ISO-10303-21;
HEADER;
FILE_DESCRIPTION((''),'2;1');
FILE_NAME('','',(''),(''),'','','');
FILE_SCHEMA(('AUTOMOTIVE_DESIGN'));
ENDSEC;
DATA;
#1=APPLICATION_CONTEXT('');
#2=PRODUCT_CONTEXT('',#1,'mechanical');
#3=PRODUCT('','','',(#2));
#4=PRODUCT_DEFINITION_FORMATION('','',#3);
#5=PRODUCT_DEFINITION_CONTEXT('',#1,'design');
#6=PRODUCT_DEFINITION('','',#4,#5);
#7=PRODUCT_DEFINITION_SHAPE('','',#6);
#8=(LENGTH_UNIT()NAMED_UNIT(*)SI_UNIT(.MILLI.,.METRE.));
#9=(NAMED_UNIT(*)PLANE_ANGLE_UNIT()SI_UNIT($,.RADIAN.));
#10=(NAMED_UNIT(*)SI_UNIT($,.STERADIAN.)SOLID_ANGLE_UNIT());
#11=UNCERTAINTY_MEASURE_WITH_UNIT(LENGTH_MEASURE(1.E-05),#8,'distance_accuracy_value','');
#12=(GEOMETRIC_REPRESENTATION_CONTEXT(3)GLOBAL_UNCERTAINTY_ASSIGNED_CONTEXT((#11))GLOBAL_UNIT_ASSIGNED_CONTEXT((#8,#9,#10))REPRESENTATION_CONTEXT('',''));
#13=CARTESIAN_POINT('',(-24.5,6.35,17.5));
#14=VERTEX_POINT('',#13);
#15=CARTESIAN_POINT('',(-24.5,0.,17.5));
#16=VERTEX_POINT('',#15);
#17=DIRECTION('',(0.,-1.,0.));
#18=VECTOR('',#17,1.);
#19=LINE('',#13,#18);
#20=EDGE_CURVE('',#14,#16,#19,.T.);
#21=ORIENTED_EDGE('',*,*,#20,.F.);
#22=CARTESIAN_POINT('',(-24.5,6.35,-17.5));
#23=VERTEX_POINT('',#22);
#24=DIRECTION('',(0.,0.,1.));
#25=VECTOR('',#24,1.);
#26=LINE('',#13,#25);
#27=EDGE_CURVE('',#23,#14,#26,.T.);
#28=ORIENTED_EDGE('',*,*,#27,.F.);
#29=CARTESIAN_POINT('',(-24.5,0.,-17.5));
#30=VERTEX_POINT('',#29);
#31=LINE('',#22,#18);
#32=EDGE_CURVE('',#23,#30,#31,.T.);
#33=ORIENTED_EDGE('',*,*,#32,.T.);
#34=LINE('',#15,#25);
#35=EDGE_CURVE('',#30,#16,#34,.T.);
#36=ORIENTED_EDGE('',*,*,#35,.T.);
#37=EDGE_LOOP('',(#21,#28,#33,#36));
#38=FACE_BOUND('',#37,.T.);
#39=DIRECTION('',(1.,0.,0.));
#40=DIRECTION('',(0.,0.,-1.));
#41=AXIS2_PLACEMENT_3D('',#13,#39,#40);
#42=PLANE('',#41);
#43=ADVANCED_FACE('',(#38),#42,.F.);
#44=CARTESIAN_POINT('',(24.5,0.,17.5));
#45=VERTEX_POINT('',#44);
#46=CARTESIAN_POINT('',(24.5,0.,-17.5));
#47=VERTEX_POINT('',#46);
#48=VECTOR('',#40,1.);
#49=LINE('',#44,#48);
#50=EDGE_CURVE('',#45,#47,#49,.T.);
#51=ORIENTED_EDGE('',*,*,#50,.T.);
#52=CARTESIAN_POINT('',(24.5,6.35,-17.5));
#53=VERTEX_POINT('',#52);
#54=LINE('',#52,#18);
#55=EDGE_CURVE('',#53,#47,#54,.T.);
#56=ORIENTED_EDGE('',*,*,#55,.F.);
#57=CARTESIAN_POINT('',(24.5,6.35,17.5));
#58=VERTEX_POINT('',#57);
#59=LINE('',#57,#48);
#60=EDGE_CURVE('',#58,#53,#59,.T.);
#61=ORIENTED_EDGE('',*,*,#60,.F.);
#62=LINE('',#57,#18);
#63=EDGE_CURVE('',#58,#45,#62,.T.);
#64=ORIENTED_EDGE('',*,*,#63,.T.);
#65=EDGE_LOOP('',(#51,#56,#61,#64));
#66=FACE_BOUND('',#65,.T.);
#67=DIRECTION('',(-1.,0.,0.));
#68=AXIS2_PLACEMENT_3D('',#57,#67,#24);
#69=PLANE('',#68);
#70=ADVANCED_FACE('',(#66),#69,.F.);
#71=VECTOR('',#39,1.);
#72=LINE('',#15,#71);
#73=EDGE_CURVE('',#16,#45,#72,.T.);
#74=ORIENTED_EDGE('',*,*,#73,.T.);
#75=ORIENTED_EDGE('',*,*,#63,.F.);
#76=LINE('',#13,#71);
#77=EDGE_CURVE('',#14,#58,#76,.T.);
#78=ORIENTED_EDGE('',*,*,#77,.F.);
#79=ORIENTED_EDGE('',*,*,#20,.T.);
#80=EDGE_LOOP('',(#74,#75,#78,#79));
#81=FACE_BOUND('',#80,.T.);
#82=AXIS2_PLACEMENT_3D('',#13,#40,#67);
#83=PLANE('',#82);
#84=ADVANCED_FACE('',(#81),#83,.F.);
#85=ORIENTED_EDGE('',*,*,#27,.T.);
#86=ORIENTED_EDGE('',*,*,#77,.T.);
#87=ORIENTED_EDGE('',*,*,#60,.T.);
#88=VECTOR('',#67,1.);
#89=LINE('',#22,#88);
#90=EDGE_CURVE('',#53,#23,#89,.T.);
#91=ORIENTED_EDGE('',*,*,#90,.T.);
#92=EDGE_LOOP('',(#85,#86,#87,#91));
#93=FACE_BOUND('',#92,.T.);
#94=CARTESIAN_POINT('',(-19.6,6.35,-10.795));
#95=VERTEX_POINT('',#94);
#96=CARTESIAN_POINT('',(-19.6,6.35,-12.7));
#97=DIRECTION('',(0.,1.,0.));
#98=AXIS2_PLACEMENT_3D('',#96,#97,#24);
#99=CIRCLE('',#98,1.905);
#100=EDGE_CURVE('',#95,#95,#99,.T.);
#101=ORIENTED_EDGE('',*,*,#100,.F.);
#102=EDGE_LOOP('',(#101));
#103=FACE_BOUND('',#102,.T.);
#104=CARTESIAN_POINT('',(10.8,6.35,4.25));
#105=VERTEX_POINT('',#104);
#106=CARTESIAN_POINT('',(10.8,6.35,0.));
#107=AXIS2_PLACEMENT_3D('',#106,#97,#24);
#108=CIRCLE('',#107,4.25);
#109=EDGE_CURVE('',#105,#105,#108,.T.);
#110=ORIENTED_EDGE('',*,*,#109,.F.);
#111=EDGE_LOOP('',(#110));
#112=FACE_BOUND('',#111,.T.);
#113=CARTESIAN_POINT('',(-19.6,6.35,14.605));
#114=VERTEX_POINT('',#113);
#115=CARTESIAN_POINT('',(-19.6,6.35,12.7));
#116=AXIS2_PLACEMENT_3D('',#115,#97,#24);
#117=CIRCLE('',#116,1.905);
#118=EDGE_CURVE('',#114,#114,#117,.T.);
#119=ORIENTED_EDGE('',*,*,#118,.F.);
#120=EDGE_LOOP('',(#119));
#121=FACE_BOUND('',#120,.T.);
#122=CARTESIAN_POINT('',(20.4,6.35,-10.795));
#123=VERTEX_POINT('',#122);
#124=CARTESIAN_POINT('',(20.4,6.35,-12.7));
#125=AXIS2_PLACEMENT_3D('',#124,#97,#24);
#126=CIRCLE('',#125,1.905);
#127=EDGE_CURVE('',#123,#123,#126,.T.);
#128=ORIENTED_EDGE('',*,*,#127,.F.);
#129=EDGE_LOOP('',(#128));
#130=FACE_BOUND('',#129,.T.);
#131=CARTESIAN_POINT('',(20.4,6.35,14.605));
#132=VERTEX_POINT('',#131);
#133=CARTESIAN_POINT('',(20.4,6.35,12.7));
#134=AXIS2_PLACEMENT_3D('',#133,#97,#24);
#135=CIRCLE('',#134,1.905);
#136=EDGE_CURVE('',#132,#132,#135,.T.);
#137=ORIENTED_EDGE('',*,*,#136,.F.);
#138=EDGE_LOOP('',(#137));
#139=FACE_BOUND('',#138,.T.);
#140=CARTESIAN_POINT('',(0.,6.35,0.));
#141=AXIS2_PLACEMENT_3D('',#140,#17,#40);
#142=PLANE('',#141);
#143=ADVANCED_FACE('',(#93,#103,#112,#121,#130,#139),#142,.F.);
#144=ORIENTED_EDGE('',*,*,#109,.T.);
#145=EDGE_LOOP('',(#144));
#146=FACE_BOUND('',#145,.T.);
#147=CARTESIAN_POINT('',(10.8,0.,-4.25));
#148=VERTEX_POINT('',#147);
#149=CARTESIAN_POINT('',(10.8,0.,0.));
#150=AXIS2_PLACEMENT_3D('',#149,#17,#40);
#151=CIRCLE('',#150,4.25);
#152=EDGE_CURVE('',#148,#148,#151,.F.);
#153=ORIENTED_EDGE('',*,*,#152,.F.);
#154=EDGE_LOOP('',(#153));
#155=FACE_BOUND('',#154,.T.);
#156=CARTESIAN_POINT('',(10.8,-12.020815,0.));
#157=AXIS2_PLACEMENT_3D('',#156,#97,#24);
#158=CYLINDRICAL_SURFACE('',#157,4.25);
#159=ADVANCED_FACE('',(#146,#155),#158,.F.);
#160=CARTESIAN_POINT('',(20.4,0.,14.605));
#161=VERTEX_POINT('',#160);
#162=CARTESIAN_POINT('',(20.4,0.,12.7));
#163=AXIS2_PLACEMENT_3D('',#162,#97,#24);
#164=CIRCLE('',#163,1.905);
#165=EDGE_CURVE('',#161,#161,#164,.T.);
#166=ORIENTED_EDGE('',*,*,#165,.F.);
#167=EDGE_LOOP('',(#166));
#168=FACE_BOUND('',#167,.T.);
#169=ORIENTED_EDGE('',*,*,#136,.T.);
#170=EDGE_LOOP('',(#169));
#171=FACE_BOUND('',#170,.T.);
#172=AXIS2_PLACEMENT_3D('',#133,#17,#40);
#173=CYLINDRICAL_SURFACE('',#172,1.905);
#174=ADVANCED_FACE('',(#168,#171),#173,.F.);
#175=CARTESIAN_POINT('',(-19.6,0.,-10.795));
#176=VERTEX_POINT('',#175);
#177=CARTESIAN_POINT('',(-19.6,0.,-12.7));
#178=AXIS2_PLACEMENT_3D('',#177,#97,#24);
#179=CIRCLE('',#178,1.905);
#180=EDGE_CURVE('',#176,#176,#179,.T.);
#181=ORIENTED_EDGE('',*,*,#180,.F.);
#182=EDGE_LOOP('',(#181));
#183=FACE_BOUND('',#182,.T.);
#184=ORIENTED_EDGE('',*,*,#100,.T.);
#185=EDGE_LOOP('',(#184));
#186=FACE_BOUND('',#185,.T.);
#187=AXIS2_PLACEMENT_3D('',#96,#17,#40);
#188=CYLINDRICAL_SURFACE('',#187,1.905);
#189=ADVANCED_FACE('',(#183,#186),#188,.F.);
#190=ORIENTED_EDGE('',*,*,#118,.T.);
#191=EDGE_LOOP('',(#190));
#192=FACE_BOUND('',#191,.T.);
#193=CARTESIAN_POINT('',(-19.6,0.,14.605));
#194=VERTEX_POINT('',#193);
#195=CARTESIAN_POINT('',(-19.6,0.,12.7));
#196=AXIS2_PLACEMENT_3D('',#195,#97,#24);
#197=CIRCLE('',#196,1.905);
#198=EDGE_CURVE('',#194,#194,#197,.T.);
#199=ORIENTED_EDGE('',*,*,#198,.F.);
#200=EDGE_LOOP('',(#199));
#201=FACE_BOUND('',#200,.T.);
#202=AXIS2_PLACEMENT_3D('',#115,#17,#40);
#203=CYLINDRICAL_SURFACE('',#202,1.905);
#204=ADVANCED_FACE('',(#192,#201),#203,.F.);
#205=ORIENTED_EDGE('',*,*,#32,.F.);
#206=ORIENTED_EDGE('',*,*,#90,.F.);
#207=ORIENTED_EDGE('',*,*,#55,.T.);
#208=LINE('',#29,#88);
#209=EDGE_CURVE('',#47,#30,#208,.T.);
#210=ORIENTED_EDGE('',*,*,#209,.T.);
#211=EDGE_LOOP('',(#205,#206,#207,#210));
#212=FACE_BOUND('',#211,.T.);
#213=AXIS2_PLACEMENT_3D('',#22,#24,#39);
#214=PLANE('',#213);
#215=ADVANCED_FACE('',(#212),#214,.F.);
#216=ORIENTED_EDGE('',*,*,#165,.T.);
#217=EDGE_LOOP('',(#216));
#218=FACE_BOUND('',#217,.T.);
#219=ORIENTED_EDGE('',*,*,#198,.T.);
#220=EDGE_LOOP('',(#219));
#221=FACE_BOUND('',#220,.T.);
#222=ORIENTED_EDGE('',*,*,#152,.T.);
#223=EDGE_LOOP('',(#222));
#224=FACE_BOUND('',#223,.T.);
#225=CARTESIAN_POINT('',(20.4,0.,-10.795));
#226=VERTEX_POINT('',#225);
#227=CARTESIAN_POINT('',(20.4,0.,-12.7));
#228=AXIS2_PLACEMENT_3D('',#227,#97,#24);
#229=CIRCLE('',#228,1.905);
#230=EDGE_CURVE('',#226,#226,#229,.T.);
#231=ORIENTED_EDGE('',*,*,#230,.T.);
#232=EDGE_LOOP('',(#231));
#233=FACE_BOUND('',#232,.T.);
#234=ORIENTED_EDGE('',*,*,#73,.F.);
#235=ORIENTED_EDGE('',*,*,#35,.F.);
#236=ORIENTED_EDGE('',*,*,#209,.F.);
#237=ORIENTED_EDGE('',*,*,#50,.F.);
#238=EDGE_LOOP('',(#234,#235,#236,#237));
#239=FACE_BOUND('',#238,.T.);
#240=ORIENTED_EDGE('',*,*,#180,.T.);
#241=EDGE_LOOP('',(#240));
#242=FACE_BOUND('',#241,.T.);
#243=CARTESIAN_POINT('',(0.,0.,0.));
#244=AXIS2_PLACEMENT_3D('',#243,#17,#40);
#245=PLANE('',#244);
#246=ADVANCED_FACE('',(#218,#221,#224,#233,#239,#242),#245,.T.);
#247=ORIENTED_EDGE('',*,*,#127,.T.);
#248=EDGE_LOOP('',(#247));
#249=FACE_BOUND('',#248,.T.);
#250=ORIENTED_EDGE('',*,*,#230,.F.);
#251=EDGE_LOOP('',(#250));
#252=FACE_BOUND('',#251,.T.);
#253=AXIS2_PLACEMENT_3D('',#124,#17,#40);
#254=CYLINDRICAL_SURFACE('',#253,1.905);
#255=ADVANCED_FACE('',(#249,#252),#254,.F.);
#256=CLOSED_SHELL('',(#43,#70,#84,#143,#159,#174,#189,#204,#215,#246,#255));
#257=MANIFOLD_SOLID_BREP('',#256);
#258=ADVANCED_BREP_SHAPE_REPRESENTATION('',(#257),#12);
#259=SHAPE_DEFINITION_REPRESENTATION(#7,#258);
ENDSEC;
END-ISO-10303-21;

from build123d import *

# Parameters (mm, degrees)
SKETCH1_W           = 49
SKETCH1_H           = 35
SKETCH1_R           = 1.905
BOSS_EXTRUDE1_DEPTH = 6.35
SKETCH2_R           = 4.25
CUT_EXTRUDE1_DEPTH  = 6.35


with BuildPart() as part:
    # Sketch1 → Boss-Extrude1 (new body)
    with BuildSketch(Plane(origin=(0, 0, 0), x_dir=(1, 0, 0), z_dir=(0, 1, 0))):
        Rectangle(SKETCH1_W, SKETCH1_H)
        with Locations((-19.6, 12.7)):
            Circle(SKETCH1_R, mode=Mode.SUBTRACT)
        with Locations((20.4, 12.7)):
            Circle(SKETCH1_R, mode=Mode.SUBTRACT)
        with Locations((-19.6, -12.7)):
            Circle(SKETCH1_R, mode=Mode.SUBTRACT)
        with Locations((20.4, -12.7)):
            Circle(SKETCH1_R, mode=Mode.SUBTRACT)
    extrude(amount=BOSS_EXTRUDE1_DEPTH)

    # Sketch2 → Cut-Extrude1 (cut)
    with BuildSketch(Plane(origin=(0, 6.35, 0), x_dir=(1, 0, 0), z_dir=(0, 1, 0))):
        with Locations((10.8, 0)):
            Circle(SKETCH2_R)
    extrude(amount=-CUT_EXTRUDE1_DEPTH, mode=Mode.SUBTRACT)


solid = part.part
